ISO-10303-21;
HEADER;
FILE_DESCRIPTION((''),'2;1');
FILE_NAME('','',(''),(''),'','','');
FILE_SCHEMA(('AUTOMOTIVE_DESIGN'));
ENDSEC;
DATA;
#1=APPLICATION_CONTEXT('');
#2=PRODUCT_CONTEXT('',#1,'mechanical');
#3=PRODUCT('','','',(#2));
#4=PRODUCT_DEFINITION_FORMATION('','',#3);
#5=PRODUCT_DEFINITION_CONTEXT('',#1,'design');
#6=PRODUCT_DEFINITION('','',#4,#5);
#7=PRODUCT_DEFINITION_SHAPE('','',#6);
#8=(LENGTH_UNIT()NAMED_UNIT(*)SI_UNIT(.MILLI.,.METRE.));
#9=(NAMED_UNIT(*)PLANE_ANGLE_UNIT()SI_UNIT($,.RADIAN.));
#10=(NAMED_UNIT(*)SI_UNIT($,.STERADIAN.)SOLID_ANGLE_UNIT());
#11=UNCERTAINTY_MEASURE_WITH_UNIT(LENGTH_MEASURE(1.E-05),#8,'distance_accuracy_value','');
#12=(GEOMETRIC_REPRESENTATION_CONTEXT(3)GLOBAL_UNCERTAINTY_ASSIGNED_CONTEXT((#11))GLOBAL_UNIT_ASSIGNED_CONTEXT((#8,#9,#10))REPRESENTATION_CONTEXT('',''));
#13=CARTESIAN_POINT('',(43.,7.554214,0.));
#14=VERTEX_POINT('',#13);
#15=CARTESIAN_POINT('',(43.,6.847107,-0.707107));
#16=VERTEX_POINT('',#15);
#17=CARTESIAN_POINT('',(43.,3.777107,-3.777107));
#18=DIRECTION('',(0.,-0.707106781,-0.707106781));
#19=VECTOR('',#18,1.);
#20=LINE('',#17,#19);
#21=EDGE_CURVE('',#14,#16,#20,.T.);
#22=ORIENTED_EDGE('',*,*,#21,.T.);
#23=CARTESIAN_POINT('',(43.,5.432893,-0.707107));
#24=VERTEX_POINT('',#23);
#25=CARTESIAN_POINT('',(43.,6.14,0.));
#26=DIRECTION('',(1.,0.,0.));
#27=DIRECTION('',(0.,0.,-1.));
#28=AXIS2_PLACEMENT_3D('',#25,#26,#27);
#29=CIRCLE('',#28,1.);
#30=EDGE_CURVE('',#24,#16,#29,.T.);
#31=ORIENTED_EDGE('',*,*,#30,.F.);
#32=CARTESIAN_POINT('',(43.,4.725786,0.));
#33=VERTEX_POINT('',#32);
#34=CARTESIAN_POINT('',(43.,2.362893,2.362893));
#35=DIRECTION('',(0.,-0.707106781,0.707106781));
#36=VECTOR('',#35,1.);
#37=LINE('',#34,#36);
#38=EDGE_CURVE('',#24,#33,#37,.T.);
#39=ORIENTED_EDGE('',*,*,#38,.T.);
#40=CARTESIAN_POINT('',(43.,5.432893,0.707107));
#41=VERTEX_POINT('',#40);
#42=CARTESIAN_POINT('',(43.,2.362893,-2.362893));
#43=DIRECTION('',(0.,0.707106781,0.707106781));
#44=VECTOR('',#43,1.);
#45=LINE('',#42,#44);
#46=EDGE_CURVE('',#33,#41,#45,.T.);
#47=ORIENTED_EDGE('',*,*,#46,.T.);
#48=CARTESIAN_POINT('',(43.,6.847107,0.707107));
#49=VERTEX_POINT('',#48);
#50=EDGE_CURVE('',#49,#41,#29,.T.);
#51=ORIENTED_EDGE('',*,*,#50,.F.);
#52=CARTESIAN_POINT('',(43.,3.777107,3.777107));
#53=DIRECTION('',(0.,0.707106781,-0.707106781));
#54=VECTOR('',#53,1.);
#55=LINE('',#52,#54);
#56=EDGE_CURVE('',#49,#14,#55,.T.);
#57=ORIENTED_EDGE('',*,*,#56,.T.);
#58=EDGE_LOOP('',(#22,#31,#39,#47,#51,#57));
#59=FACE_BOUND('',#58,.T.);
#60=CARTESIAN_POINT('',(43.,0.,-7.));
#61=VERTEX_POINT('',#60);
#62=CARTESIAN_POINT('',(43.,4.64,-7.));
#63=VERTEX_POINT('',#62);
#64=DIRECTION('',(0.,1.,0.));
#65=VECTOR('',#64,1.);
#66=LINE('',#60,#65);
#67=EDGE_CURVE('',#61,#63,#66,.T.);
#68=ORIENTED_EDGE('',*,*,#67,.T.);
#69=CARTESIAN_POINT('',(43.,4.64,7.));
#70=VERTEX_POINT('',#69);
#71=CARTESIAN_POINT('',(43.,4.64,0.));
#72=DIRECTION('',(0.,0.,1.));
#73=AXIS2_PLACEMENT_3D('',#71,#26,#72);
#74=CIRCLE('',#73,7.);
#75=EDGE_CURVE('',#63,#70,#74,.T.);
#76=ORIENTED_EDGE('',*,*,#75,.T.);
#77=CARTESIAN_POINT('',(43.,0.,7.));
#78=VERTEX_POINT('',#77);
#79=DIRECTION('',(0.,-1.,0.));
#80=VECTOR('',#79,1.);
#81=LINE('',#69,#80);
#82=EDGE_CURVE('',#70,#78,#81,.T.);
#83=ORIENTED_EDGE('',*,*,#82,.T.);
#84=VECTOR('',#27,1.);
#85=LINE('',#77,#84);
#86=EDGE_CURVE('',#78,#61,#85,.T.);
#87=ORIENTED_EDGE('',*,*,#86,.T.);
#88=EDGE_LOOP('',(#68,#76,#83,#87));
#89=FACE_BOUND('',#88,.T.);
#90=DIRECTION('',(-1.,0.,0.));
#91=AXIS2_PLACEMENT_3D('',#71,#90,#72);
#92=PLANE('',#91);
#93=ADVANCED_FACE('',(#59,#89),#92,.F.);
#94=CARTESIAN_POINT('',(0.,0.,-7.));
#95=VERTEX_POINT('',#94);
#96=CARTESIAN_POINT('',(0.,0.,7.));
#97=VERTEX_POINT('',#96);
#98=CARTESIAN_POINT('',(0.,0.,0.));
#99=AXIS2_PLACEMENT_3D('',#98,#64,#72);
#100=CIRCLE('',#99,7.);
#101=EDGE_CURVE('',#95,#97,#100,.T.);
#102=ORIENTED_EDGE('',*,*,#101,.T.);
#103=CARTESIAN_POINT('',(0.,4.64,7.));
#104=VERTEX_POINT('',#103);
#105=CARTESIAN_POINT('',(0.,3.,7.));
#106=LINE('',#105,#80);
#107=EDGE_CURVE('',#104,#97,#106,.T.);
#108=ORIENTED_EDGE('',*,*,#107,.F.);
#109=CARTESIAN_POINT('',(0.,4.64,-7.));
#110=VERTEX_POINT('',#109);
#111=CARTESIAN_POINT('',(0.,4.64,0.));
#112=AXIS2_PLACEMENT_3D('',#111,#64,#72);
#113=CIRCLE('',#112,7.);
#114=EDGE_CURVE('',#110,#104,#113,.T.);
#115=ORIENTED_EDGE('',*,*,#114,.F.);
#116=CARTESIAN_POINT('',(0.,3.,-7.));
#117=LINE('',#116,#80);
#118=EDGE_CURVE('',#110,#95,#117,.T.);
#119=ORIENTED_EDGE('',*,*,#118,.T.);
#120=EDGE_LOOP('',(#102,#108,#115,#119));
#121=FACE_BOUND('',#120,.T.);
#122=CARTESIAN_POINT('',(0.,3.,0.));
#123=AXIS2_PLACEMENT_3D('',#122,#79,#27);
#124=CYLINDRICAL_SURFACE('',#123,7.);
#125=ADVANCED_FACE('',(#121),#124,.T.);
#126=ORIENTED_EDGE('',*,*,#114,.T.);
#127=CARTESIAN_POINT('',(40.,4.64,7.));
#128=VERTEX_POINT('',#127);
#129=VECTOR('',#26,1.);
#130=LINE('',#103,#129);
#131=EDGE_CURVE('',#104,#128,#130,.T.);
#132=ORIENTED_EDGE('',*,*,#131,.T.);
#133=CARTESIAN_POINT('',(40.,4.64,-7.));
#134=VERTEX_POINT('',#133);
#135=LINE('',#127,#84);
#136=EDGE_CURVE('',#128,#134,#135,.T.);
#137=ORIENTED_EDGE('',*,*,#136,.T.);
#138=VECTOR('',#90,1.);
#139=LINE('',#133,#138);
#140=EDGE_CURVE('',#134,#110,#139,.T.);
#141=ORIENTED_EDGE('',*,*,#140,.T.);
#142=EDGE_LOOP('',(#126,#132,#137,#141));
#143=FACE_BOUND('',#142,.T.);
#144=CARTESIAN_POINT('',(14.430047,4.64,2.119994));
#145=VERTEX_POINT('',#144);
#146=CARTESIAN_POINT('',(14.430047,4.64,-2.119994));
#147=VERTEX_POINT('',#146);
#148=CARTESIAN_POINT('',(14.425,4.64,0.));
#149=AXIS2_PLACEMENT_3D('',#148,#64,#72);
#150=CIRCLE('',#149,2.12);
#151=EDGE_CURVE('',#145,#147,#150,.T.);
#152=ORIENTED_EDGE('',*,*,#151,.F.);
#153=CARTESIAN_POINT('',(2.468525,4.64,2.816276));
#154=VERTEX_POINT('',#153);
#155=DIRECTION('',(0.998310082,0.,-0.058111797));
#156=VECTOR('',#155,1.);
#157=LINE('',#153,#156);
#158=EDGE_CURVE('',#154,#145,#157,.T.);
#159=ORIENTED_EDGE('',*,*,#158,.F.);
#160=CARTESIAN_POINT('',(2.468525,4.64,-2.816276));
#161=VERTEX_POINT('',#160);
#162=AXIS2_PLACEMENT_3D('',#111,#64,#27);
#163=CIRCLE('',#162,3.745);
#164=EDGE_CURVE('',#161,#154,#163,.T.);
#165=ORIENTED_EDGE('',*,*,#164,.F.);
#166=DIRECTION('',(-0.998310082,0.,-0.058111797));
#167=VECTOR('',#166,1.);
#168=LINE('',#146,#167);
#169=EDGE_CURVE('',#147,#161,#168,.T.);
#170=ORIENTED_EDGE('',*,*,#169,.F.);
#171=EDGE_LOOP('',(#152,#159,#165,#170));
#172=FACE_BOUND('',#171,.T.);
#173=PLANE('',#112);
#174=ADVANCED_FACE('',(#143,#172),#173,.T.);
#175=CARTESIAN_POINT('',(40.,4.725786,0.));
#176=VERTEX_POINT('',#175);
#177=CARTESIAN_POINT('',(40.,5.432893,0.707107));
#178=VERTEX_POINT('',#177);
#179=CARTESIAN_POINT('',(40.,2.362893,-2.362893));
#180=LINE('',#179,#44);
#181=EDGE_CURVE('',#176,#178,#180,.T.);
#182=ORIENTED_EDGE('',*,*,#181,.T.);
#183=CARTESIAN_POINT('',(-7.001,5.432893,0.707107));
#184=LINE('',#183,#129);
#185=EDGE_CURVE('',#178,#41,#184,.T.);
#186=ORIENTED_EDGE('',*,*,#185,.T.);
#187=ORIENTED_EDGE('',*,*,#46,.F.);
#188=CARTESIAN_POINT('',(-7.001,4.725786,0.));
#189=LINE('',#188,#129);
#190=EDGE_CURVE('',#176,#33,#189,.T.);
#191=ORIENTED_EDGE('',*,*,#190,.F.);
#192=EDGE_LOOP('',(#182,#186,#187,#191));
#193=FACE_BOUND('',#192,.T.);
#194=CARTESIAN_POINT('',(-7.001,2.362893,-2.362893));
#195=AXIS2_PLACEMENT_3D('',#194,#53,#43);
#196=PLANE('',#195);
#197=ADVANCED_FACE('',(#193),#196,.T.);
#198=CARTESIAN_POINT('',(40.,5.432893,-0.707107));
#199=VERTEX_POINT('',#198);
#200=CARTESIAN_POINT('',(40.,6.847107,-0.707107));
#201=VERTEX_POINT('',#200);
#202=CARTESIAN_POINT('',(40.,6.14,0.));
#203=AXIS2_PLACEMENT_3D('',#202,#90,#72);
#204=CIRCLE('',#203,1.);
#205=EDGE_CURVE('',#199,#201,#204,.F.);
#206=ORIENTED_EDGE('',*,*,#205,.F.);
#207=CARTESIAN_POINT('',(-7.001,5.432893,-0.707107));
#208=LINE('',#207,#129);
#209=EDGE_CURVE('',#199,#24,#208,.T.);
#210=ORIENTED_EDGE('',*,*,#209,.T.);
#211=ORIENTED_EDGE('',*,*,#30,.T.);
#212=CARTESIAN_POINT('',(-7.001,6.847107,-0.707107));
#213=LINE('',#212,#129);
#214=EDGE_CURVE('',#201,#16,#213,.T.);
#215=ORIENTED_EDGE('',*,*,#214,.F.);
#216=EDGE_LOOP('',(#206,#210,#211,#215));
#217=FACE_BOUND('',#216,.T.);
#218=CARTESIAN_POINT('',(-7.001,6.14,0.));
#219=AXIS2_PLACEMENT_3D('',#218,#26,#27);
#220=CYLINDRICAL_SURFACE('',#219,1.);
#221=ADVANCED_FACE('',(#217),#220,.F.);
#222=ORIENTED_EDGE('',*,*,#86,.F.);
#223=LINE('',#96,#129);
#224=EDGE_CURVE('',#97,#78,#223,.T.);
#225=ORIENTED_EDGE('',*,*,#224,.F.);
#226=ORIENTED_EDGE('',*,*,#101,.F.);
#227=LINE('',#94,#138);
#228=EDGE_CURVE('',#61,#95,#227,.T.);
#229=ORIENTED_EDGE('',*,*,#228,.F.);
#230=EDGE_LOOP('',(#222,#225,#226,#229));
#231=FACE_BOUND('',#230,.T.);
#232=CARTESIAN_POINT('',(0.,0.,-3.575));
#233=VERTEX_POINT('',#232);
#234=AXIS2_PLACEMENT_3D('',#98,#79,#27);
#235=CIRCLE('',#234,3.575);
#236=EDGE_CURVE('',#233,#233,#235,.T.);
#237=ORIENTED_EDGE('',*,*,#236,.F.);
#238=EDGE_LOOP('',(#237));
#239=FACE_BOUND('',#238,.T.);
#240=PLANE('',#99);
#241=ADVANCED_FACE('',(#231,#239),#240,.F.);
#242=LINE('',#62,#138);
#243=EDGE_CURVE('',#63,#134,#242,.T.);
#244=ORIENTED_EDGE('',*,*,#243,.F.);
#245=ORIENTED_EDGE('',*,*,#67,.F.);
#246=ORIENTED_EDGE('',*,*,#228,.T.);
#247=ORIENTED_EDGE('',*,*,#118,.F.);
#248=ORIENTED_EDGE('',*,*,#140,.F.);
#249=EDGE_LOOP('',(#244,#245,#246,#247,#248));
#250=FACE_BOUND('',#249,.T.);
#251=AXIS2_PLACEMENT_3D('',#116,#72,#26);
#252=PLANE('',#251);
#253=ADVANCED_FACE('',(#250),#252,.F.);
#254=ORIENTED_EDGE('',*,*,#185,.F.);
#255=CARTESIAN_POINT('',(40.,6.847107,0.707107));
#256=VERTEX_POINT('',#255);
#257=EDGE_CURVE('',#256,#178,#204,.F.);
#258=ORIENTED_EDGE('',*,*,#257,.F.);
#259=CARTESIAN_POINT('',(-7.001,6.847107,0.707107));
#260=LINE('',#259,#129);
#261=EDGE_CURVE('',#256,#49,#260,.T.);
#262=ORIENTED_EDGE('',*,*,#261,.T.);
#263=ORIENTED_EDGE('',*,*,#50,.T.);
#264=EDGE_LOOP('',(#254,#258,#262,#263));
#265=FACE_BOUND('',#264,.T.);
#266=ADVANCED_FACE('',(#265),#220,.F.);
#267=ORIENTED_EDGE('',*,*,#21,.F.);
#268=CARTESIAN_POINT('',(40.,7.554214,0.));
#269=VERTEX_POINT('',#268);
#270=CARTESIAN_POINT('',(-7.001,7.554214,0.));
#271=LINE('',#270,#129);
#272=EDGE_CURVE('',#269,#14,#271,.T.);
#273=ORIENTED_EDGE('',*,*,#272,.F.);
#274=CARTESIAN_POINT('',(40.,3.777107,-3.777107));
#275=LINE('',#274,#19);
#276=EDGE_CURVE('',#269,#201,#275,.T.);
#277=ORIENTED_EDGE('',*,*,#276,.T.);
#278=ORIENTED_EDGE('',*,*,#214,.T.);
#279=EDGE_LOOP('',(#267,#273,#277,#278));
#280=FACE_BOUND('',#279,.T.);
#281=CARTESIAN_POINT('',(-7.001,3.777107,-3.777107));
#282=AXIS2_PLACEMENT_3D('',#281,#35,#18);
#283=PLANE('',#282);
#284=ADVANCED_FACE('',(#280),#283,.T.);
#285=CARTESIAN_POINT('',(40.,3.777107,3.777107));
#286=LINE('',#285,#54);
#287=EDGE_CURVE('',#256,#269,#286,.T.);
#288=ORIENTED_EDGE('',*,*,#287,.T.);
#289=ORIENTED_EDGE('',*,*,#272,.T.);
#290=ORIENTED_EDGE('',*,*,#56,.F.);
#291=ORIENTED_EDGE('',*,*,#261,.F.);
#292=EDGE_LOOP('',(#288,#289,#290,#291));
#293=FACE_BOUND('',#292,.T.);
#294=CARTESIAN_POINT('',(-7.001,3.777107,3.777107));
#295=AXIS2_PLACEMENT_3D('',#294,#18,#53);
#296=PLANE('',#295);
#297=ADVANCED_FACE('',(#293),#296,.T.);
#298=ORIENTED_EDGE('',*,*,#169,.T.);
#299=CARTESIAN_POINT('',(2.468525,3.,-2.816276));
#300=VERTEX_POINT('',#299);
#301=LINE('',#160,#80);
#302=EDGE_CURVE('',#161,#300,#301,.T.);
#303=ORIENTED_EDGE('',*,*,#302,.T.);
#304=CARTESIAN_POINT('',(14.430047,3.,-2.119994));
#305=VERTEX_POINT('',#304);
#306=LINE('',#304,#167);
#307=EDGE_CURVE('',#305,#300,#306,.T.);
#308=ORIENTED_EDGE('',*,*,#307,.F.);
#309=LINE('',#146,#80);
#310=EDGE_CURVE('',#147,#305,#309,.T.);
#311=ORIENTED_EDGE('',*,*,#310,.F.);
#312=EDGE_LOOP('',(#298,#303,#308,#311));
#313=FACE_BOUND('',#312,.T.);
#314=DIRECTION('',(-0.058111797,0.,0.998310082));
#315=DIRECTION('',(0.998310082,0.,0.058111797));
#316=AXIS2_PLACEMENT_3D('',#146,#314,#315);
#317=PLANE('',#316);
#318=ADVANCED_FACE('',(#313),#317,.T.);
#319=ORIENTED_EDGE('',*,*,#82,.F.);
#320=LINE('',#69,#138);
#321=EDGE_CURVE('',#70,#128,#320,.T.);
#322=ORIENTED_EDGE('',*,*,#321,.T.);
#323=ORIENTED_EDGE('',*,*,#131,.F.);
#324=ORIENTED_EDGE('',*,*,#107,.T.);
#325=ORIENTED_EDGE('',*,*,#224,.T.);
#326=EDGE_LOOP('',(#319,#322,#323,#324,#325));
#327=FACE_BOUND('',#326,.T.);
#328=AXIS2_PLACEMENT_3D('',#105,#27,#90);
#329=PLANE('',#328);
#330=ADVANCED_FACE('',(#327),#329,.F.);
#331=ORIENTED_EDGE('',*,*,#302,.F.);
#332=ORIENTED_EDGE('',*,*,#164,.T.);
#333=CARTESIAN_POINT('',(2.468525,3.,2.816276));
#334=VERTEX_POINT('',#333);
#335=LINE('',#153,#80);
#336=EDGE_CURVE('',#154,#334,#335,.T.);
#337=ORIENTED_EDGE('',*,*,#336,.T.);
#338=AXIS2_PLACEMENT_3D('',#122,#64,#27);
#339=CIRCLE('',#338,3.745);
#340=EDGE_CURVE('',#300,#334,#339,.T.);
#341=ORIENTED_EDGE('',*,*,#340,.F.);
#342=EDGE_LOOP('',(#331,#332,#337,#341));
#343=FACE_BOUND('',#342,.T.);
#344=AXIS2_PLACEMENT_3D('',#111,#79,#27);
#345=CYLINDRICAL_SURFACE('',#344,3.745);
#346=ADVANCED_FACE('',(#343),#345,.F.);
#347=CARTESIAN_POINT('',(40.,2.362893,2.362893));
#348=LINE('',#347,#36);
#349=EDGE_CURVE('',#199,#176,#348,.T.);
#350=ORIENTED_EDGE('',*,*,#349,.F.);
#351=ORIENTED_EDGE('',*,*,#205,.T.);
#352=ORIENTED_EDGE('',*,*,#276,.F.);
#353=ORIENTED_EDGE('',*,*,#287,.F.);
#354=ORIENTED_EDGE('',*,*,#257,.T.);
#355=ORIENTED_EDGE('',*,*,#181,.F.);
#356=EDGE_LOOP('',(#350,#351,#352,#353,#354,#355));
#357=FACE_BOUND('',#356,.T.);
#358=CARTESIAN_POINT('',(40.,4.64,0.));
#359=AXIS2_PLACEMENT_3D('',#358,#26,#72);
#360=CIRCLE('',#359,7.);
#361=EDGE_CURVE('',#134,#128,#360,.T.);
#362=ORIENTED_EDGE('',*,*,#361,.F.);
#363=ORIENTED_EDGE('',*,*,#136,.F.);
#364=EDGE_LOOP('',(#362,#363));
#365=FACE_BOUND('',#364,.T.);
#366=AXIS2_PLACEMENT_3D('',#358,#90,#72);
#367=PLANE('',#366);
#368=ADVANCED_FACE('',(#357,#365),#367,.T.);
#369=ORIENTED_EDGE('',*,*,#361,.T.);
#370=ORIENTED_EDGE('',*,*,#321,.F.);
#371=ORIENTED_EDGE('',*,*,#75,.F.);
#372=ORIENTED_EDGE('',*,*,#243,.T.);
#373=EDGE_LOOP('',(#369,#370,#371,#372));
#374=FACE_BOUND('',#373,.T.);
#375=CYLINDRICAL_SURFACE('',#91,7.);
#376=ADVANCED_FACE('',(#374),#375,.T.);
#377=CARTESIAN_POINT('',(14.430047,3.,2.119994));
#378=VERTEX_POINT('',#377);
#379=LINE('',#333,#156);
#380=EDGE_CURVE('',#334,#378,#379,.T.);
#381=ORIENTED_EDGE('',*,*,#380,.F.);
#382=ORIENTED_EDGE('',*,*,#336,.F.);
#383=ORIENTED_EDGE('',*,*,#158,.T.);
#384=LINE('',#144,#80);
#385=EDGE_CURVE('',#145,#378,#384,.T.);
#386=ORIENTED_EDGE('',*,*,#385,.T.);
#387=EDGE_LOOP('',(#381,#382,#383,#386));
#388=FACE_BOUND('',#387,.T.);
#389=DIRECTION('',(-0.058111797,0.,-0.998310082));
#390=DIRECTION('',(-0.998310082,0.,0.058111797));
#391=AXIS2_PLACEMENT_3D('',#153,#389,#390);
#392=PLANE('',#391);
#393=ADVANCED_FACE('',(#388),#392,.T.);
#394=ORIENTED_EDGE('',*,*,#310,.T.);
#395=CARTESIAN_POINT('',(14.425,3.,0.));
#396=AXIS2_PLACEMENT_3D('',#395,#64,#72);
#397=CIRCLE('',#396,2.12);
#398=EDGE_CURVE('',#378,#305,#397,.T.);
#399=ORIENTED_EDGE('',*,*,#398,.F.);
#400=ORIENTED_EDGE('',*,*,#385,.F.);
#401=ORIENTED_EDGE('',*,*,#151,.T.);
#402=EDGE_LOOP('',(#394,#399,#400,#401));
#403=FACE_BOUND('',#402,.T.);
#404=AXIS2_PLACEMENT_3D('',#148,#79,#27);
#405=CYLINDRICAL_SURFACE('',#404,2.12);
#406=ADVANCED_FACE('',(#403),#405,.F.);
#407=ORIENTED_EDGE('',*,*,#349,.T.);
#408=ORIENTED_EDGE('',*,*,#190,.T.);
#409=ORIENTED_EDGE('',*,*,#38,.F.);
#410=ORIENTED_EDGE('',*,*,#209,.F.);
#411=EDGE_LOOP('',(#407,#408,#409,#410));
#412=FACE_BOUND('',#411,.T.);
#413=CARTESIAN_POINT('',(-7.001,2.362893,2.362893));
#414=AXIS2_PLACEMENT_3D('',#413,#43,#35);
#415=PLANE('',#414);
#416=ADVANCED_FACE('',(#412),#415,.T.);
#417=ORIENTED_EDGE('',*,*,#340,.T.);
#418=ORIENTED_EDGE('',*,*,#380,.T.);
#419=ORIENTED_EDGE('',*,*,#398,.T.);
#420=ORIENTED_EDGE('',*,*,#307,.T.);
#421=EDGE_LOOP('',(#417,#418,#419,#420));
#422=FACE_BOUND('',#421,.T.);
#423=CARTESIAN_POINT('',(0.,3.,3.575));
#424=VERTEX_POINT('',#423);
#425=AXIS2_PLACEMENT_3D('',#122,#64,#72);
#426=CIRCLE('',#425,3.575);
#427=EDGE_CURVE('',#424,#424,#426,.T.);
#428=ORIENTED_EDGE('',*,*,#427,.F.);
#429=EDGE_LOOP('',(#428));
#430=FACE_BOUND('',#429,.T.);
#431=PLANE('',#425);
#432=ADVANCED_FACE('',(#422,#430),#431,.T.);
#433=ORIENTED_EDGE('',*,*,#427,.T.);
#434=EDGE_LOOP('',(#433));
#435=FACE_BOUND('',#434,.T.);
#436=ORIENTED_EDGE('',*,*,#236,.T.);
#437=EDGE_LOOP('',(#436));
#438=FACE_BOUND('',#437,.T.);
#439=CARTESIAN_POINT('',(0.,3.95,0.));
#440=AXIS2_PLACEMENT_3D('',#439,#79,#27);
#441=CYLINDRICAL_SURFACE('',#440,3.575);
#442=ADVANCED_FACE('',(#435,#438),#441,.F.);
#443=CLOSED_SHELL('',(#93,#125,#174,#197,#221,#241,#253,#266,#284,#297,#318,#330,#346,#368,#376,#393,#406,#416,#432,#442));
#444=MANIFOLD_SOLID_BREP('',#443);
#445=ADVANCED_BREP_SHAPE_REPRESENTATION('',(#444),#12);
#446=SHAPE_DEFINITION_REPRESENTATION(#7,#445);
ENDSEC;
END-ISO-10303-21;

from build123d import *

# Parameters (mm, degrees)
BOSS_EXTRUDE1_DEPTH = 3
SKETCH2_R           = 3.575
CUT_EXTRUDE1_DEPTH  = 3.95
BOSS_EXTRUDE2_DEPTH = 1.64
BOSS_EXTRUDE6_DEPTH = 3
CUT_EXTRUDE8_REACH  = 53.812
SKETCH11_R          = 1


with BuildPart() as part:
    # Sketch1 → Boss-Extrude1 (new body)
    with BuildSketch(Plane(origin=(0, 0, 0), x_dir=(1, 0, 0), z_dir=(0, 1, 0))):
        with BuildLine():
            Line((0, 7), (40, 7))
            Line((40, 7), (40, -7))
            Line((40, -7), (0, -7))
            ThreePointArc((0, -7), (-7, 0), (0, 7))
        make_face()
    extrude(amount=BOSS_EXTRUDE1_DEPTH)

    # Sketch2 → Cut-Extrude1 (cut)
    with BuildSketch(Plane.XZ):
        with Locations(Location((0, 0, 0), (0, 0, 270))):
            Circle(SKETCH2_R)
    extrude(amount=-CUT_EXTRUDE1_DEPTH, mode=Mode.SUBTRACT)

    # Sketch3 → Boss-Extrude2 (add)
    with BuildSketch(Plane(origin=(0, 3, 0), x_dir=(1, 0, 0), z_dir=(0, 1, 0))):
        with BuildLine():
            Line((40, -7), (40, 7))
            Line((40, 7), (0, 7))
            ThreePointArc((0, 7), (-7, 0), (0, -7))
            Line((0, -7), (40, -7))
        make_face()
        with BuildLine():
            Line((14.43004688, 2.119993993), (2.468524523, 2.816276208))
            ThreePointArc((2.468524523, 2.816276208), (-3.745, 0), (2.468524523, -2.816276208))
            Line((2.468524523, -2.816276208), (14.43004688, -2.119993993))
            ThreePointArc((14.43004688, -2.119993993), (16.545, 0), (14.43004688, 2.119993993))
        make_face(mode=Mode.SUBTRACT)
    extrude(amount=BOSS_EXTRUDE2_DEPTH)

    # Sketch9 → Boss-Extrude6 (add)
    with BuildSketch(Plane(origin=(40, 0, 0), x_dir=(0, 0, -1), z_dir=(1, 0, 0))):
        with BuildLine():
            Line((-7, 4.64), (-7, 0))
            Line((-7, 0), (7, 0))
            Line((7, 0), (7, 4.64))
            ThreePointArc((7, 4.64), (0, 11.64), (-7, 4.64))
        make_face()
    extrude(amount=BOSS_EXTRUDE6_DEPTH)

    # Sketch11 → Cut-Extrude8 (cut, up to next)
    with BuildSketch(Plane(origin=(43, 0, 0), x_dir=(0, 0, -1), z_dir=(1, 0, 0)), mode=Mode.PRIVATE) as cut_extrude8_sk1:
        with BuildLine():
            Line((0, 7.554213562), (-0.707106782, 6.84710678))
            ThreePointArc((-0.707106782, 6.84710678), (1e-09, 7.14), (0.707106784, 6.847106778))
            Line((0.707106784, 6.847106778), (0, 7.554213562))
        make_face()
    cut_extrude8_tool1 = extrude(cut_extrude8_sk1.sketch, amount=-CUT_EXTRUDE8_REACH, mode=Mode.PRIVATE) & part.part
    # Sketch11 → Cut-Extrude8 (cut, up to next)
    with BuildSketch(Plane(origin=(43, 0, 0), x_dir=(0, 0, -1), z_dir=(1, 0, 0)), mode=Mode.PRIVATE) as cut_extrude8_sk2:
        with BuildLine():
            ThreePointArc((0.707106779, 5.432893216), (-2e-09, 5.14), (-0.707106782, 5.43289322))
            Line((-0.707106782, 5.43289322), (0, 4.725786438))
            Line((0, 4.725786438), (0.707106779, 5.432893216))
        make_face()
    cut_extrude8_tool2 = extrude(cut_extrude8_sk2.sketch, amount=-CUT_EXTRUDE8_REACH, mode=Mode.PRIVATE) & part.part
    # Sketch11 → Cut-Extrude8 (cut, up to next)
    with BuildSketch(Plane(origin=(43, 0, 0), x_dir=(0, 0, -1), z_dir=(1, 0, 0)), mode=Mode.PRIVATE) as cut_extrude8_sk3:
        with Locations((0, 6.14)):
            Circle(SKETCH11_R)
    cut_extrude8_tool3 = extrude(cut_extrude8_sk3.sketch, amount=-CUT_EXTRUDE8_REACH, mode=Mode.PRIVATE) & part.part
    add(cut_extrude8_tool1.solids().sort_by_distance((43, 7.238324, 0))[0], mode=Mode.SUBTRACT)
    add(cut_extrude8_tool2.solids().sort_by_distance((43, 5.041676, 0))[0], mode=Mode.SUBTRACT)
    add(cut_extrude8_tool3.solids().sort_by_distance((43, 6.14, 0))[0], mode=Mode.SUBTRACT)


solid = part.part
